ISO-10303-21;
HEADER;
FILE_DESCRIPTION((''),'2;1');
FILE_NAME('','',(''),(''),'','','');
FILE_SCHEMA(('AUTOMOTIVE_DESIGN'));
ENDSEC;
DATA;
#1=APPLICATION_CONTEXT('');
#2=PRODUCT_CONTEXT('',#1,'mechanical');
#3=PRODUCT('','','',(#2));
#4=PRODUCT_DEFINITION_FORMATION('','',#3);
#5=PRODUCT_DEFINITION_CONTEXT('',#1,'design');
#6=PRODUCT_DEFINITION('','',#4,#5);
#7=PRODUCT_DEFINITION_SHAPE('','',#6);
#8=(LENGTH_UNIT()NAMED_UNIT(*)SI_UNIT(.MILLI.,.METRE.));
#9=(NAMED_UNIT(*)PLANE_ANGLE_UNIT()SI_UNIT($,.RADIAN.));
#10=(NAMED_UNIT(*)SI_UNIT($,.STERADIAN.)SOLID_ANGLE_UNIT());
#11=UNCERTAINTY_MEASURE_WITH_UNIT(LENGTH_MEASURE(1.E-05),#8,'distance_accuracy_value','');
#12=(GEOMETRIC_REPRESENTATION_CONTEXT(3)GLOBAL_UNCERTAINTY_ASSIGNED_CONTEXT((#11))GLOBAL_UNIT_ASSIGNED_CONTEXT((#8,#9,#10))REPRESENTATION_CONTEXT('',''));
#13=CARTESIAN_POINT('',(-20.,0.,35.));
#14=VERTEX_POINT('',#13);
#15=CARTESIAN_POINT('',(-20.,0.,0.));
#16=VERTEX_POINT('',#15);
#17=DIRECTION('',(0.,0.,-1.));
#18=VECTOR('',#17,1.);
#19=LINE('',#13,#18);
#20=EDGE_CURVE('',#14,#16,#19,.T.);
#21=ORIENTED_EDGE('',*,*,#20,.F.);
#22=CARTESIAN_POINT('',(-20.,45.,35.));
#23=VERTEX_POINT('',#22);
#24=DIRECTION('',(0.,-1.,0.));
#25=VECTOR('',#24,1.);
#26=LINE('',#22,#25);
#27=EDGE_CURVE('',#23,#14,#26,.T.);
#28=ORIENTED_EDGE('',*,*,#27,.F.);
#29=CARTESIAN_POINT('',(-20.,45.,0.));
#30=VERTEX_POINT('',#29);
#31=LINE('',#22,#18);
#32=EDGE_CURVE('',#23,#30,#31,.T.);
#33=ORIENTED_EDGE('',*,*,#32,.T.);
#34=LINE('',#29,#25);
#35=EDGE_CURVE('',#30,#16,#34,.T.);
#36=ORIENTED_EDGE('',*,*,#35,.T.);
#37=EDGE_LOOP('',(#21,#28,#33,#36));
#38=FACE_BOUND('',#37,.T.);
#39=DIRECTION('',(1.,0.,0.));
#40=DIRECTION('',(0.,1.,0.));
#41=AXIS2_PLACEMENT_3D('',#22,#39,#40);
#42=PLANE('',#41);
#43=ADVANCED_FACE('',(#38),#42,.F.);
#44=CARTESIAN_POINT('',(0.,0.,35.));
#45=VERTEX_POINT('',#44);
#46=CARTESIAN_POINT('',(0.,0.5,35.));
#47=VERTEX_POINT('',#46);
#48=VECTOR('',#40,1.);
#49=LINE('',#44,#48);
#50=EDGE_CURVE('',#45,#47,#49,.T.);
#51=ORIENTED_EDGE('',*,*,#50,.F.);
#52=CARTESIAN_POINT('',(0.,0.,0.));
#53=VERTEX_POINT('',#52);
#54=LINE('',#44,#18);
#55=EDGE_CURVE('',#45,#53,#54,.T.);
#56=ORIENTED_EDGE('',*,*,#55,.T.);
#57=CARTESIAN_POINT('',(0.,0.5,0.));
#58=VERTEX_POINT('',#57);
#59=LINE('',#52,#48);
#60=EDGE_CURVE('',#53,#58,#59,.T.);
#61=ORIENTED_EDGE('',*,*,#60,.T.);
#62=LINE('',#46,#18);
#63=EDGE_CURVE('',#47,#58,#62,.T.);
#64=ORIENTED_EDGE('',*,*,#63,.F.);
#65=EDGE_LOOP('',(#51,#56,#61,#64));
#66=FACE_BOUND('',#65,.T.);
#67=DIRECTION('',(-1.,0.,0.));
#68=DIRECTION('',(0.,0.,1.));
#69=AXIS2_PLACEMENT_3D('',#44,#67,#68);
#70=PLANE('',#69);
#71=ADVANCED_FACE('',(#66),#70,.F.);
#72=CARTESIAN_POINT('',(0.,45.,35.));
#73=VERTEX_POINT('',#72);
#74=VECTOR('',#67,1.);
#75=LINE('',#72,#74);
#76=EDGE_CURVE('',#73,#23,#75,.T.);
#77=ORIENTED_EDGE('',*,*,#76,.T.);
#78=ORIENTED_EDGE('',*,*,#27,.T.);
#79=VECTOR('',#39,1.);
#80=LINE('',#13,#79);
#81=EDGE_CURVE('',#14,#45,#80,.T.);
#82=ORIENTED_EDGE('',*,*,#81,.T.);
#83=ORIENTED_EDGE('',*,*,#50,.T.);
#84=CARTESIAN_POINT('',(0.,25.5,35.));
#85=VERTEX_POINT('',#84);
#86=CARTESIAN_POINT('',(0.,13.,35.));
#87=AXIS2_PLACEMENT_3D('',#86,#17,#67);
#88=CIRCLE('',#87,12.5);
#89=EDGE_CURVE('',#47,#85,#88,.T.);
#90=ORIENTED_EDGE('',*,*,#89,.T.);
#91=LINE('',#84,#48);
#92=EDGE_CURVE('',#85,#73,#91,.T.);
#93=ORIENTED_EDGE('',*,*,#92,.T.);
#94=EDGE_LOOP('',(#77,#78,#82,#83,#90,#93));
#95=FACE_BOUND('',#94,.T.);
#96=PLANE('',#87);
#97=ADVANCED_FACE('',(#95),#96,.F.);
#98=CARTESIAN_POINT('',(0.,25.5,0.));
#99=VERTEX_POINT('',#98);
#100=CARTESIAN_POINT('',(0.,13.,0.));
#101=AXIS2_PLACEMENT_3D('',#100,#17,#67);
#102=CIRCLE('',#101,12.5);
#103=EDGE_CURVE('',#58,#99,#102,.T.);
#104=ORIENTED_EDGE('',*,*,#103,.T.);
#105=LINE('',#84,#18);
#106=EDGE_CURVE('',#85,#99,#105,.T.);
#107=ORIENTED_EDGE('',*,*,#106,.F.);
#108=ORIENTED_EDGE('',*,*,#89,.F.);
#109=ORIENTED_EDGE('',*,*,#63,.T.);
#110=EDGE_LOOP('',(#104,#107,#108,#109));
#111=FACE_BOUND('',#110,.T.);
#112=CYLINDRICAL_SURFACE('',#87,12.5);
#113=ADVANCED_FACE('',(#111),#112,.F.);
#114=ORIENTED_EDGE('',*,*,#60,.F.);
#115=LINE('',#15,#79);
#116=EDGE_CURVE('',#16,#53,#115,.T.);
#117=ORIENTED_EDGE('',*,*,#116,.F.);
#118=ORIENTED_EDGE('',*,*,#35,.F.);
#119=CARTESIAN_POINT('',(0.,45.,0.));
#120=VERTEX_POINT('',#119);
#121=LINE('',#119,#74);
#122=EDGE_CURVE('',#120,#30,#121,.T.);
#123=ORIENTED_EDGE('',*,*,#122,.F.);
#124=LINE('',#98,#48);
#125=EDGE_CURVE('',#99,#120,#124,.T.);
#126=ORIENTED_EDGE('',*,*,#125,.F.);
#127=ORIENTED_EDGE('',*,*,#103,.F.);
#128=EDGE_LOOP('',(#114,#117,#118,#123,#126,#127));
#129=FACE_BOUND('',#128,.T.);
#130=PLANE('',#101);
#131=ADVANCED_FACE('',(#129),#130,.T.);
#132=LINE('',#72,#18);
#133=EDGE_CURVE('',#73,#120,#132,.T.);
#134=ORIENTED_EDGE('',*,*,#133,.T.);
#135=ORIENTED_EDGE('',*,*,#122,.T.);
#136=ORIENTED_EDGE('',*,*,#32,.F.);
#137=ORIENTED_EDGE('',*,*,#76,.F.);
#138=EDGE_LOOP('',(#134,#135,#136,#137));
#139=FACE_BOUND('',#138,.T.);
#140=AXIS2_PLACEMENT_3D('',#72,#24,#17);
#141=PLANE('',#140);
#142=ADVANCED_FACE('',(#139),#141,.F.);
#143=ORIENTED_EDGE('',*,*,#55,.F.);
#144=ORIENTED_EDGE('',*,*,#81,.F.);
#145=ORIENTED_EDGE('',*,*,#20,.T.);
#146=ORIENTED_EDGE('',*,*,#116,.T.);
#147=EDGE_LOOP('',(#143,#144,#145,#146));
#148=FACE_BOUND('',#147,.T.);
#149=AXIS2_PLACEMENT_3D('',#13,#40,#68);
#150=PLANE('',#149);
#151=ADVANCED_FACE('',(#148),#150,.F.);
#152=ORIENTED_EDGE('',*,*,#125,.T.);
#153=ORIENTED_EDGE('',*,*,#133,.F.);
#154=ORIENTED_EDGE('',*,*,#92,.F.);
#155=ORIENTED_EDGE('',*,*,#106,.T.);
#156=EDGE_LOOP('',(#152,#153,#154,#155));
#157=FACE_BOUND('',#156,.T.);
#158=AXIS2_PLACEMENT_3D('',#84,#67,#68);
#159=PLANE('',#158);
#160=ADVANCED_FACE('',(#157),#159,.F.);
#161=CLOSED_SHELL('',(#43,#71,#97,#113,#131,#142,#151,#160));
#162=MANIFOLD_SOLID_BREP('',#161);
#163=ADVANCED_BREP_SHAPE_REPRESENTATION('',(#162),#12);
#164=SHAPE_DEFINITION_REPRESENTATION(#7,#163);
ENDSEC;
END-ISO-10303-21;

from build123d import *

# Parameters (mm, degrees)
BOSS_EXTRUDE1_DEPTH = 35


with BuildPart() as part:
    # Sketch1 → Boss-Extrude1 (new body)
    with BuildSketch(Plane.XY):
        with BuildLine():
            Line((0, 0), (0, 0.5))
            ThreePointArc((0, 0.5), (-12.5, 13), (0, 25.5))
            Line((0, 25.5), (0, 45))
            Line((0, 45), (-20, 45))
            Line((-20, 45), (-20, 0))
            Line((-20, 0), (0, 0))
        make_face()
    extrude(amount=BOSS_EXTRUDE1_DEPTH)


solid = part.part
